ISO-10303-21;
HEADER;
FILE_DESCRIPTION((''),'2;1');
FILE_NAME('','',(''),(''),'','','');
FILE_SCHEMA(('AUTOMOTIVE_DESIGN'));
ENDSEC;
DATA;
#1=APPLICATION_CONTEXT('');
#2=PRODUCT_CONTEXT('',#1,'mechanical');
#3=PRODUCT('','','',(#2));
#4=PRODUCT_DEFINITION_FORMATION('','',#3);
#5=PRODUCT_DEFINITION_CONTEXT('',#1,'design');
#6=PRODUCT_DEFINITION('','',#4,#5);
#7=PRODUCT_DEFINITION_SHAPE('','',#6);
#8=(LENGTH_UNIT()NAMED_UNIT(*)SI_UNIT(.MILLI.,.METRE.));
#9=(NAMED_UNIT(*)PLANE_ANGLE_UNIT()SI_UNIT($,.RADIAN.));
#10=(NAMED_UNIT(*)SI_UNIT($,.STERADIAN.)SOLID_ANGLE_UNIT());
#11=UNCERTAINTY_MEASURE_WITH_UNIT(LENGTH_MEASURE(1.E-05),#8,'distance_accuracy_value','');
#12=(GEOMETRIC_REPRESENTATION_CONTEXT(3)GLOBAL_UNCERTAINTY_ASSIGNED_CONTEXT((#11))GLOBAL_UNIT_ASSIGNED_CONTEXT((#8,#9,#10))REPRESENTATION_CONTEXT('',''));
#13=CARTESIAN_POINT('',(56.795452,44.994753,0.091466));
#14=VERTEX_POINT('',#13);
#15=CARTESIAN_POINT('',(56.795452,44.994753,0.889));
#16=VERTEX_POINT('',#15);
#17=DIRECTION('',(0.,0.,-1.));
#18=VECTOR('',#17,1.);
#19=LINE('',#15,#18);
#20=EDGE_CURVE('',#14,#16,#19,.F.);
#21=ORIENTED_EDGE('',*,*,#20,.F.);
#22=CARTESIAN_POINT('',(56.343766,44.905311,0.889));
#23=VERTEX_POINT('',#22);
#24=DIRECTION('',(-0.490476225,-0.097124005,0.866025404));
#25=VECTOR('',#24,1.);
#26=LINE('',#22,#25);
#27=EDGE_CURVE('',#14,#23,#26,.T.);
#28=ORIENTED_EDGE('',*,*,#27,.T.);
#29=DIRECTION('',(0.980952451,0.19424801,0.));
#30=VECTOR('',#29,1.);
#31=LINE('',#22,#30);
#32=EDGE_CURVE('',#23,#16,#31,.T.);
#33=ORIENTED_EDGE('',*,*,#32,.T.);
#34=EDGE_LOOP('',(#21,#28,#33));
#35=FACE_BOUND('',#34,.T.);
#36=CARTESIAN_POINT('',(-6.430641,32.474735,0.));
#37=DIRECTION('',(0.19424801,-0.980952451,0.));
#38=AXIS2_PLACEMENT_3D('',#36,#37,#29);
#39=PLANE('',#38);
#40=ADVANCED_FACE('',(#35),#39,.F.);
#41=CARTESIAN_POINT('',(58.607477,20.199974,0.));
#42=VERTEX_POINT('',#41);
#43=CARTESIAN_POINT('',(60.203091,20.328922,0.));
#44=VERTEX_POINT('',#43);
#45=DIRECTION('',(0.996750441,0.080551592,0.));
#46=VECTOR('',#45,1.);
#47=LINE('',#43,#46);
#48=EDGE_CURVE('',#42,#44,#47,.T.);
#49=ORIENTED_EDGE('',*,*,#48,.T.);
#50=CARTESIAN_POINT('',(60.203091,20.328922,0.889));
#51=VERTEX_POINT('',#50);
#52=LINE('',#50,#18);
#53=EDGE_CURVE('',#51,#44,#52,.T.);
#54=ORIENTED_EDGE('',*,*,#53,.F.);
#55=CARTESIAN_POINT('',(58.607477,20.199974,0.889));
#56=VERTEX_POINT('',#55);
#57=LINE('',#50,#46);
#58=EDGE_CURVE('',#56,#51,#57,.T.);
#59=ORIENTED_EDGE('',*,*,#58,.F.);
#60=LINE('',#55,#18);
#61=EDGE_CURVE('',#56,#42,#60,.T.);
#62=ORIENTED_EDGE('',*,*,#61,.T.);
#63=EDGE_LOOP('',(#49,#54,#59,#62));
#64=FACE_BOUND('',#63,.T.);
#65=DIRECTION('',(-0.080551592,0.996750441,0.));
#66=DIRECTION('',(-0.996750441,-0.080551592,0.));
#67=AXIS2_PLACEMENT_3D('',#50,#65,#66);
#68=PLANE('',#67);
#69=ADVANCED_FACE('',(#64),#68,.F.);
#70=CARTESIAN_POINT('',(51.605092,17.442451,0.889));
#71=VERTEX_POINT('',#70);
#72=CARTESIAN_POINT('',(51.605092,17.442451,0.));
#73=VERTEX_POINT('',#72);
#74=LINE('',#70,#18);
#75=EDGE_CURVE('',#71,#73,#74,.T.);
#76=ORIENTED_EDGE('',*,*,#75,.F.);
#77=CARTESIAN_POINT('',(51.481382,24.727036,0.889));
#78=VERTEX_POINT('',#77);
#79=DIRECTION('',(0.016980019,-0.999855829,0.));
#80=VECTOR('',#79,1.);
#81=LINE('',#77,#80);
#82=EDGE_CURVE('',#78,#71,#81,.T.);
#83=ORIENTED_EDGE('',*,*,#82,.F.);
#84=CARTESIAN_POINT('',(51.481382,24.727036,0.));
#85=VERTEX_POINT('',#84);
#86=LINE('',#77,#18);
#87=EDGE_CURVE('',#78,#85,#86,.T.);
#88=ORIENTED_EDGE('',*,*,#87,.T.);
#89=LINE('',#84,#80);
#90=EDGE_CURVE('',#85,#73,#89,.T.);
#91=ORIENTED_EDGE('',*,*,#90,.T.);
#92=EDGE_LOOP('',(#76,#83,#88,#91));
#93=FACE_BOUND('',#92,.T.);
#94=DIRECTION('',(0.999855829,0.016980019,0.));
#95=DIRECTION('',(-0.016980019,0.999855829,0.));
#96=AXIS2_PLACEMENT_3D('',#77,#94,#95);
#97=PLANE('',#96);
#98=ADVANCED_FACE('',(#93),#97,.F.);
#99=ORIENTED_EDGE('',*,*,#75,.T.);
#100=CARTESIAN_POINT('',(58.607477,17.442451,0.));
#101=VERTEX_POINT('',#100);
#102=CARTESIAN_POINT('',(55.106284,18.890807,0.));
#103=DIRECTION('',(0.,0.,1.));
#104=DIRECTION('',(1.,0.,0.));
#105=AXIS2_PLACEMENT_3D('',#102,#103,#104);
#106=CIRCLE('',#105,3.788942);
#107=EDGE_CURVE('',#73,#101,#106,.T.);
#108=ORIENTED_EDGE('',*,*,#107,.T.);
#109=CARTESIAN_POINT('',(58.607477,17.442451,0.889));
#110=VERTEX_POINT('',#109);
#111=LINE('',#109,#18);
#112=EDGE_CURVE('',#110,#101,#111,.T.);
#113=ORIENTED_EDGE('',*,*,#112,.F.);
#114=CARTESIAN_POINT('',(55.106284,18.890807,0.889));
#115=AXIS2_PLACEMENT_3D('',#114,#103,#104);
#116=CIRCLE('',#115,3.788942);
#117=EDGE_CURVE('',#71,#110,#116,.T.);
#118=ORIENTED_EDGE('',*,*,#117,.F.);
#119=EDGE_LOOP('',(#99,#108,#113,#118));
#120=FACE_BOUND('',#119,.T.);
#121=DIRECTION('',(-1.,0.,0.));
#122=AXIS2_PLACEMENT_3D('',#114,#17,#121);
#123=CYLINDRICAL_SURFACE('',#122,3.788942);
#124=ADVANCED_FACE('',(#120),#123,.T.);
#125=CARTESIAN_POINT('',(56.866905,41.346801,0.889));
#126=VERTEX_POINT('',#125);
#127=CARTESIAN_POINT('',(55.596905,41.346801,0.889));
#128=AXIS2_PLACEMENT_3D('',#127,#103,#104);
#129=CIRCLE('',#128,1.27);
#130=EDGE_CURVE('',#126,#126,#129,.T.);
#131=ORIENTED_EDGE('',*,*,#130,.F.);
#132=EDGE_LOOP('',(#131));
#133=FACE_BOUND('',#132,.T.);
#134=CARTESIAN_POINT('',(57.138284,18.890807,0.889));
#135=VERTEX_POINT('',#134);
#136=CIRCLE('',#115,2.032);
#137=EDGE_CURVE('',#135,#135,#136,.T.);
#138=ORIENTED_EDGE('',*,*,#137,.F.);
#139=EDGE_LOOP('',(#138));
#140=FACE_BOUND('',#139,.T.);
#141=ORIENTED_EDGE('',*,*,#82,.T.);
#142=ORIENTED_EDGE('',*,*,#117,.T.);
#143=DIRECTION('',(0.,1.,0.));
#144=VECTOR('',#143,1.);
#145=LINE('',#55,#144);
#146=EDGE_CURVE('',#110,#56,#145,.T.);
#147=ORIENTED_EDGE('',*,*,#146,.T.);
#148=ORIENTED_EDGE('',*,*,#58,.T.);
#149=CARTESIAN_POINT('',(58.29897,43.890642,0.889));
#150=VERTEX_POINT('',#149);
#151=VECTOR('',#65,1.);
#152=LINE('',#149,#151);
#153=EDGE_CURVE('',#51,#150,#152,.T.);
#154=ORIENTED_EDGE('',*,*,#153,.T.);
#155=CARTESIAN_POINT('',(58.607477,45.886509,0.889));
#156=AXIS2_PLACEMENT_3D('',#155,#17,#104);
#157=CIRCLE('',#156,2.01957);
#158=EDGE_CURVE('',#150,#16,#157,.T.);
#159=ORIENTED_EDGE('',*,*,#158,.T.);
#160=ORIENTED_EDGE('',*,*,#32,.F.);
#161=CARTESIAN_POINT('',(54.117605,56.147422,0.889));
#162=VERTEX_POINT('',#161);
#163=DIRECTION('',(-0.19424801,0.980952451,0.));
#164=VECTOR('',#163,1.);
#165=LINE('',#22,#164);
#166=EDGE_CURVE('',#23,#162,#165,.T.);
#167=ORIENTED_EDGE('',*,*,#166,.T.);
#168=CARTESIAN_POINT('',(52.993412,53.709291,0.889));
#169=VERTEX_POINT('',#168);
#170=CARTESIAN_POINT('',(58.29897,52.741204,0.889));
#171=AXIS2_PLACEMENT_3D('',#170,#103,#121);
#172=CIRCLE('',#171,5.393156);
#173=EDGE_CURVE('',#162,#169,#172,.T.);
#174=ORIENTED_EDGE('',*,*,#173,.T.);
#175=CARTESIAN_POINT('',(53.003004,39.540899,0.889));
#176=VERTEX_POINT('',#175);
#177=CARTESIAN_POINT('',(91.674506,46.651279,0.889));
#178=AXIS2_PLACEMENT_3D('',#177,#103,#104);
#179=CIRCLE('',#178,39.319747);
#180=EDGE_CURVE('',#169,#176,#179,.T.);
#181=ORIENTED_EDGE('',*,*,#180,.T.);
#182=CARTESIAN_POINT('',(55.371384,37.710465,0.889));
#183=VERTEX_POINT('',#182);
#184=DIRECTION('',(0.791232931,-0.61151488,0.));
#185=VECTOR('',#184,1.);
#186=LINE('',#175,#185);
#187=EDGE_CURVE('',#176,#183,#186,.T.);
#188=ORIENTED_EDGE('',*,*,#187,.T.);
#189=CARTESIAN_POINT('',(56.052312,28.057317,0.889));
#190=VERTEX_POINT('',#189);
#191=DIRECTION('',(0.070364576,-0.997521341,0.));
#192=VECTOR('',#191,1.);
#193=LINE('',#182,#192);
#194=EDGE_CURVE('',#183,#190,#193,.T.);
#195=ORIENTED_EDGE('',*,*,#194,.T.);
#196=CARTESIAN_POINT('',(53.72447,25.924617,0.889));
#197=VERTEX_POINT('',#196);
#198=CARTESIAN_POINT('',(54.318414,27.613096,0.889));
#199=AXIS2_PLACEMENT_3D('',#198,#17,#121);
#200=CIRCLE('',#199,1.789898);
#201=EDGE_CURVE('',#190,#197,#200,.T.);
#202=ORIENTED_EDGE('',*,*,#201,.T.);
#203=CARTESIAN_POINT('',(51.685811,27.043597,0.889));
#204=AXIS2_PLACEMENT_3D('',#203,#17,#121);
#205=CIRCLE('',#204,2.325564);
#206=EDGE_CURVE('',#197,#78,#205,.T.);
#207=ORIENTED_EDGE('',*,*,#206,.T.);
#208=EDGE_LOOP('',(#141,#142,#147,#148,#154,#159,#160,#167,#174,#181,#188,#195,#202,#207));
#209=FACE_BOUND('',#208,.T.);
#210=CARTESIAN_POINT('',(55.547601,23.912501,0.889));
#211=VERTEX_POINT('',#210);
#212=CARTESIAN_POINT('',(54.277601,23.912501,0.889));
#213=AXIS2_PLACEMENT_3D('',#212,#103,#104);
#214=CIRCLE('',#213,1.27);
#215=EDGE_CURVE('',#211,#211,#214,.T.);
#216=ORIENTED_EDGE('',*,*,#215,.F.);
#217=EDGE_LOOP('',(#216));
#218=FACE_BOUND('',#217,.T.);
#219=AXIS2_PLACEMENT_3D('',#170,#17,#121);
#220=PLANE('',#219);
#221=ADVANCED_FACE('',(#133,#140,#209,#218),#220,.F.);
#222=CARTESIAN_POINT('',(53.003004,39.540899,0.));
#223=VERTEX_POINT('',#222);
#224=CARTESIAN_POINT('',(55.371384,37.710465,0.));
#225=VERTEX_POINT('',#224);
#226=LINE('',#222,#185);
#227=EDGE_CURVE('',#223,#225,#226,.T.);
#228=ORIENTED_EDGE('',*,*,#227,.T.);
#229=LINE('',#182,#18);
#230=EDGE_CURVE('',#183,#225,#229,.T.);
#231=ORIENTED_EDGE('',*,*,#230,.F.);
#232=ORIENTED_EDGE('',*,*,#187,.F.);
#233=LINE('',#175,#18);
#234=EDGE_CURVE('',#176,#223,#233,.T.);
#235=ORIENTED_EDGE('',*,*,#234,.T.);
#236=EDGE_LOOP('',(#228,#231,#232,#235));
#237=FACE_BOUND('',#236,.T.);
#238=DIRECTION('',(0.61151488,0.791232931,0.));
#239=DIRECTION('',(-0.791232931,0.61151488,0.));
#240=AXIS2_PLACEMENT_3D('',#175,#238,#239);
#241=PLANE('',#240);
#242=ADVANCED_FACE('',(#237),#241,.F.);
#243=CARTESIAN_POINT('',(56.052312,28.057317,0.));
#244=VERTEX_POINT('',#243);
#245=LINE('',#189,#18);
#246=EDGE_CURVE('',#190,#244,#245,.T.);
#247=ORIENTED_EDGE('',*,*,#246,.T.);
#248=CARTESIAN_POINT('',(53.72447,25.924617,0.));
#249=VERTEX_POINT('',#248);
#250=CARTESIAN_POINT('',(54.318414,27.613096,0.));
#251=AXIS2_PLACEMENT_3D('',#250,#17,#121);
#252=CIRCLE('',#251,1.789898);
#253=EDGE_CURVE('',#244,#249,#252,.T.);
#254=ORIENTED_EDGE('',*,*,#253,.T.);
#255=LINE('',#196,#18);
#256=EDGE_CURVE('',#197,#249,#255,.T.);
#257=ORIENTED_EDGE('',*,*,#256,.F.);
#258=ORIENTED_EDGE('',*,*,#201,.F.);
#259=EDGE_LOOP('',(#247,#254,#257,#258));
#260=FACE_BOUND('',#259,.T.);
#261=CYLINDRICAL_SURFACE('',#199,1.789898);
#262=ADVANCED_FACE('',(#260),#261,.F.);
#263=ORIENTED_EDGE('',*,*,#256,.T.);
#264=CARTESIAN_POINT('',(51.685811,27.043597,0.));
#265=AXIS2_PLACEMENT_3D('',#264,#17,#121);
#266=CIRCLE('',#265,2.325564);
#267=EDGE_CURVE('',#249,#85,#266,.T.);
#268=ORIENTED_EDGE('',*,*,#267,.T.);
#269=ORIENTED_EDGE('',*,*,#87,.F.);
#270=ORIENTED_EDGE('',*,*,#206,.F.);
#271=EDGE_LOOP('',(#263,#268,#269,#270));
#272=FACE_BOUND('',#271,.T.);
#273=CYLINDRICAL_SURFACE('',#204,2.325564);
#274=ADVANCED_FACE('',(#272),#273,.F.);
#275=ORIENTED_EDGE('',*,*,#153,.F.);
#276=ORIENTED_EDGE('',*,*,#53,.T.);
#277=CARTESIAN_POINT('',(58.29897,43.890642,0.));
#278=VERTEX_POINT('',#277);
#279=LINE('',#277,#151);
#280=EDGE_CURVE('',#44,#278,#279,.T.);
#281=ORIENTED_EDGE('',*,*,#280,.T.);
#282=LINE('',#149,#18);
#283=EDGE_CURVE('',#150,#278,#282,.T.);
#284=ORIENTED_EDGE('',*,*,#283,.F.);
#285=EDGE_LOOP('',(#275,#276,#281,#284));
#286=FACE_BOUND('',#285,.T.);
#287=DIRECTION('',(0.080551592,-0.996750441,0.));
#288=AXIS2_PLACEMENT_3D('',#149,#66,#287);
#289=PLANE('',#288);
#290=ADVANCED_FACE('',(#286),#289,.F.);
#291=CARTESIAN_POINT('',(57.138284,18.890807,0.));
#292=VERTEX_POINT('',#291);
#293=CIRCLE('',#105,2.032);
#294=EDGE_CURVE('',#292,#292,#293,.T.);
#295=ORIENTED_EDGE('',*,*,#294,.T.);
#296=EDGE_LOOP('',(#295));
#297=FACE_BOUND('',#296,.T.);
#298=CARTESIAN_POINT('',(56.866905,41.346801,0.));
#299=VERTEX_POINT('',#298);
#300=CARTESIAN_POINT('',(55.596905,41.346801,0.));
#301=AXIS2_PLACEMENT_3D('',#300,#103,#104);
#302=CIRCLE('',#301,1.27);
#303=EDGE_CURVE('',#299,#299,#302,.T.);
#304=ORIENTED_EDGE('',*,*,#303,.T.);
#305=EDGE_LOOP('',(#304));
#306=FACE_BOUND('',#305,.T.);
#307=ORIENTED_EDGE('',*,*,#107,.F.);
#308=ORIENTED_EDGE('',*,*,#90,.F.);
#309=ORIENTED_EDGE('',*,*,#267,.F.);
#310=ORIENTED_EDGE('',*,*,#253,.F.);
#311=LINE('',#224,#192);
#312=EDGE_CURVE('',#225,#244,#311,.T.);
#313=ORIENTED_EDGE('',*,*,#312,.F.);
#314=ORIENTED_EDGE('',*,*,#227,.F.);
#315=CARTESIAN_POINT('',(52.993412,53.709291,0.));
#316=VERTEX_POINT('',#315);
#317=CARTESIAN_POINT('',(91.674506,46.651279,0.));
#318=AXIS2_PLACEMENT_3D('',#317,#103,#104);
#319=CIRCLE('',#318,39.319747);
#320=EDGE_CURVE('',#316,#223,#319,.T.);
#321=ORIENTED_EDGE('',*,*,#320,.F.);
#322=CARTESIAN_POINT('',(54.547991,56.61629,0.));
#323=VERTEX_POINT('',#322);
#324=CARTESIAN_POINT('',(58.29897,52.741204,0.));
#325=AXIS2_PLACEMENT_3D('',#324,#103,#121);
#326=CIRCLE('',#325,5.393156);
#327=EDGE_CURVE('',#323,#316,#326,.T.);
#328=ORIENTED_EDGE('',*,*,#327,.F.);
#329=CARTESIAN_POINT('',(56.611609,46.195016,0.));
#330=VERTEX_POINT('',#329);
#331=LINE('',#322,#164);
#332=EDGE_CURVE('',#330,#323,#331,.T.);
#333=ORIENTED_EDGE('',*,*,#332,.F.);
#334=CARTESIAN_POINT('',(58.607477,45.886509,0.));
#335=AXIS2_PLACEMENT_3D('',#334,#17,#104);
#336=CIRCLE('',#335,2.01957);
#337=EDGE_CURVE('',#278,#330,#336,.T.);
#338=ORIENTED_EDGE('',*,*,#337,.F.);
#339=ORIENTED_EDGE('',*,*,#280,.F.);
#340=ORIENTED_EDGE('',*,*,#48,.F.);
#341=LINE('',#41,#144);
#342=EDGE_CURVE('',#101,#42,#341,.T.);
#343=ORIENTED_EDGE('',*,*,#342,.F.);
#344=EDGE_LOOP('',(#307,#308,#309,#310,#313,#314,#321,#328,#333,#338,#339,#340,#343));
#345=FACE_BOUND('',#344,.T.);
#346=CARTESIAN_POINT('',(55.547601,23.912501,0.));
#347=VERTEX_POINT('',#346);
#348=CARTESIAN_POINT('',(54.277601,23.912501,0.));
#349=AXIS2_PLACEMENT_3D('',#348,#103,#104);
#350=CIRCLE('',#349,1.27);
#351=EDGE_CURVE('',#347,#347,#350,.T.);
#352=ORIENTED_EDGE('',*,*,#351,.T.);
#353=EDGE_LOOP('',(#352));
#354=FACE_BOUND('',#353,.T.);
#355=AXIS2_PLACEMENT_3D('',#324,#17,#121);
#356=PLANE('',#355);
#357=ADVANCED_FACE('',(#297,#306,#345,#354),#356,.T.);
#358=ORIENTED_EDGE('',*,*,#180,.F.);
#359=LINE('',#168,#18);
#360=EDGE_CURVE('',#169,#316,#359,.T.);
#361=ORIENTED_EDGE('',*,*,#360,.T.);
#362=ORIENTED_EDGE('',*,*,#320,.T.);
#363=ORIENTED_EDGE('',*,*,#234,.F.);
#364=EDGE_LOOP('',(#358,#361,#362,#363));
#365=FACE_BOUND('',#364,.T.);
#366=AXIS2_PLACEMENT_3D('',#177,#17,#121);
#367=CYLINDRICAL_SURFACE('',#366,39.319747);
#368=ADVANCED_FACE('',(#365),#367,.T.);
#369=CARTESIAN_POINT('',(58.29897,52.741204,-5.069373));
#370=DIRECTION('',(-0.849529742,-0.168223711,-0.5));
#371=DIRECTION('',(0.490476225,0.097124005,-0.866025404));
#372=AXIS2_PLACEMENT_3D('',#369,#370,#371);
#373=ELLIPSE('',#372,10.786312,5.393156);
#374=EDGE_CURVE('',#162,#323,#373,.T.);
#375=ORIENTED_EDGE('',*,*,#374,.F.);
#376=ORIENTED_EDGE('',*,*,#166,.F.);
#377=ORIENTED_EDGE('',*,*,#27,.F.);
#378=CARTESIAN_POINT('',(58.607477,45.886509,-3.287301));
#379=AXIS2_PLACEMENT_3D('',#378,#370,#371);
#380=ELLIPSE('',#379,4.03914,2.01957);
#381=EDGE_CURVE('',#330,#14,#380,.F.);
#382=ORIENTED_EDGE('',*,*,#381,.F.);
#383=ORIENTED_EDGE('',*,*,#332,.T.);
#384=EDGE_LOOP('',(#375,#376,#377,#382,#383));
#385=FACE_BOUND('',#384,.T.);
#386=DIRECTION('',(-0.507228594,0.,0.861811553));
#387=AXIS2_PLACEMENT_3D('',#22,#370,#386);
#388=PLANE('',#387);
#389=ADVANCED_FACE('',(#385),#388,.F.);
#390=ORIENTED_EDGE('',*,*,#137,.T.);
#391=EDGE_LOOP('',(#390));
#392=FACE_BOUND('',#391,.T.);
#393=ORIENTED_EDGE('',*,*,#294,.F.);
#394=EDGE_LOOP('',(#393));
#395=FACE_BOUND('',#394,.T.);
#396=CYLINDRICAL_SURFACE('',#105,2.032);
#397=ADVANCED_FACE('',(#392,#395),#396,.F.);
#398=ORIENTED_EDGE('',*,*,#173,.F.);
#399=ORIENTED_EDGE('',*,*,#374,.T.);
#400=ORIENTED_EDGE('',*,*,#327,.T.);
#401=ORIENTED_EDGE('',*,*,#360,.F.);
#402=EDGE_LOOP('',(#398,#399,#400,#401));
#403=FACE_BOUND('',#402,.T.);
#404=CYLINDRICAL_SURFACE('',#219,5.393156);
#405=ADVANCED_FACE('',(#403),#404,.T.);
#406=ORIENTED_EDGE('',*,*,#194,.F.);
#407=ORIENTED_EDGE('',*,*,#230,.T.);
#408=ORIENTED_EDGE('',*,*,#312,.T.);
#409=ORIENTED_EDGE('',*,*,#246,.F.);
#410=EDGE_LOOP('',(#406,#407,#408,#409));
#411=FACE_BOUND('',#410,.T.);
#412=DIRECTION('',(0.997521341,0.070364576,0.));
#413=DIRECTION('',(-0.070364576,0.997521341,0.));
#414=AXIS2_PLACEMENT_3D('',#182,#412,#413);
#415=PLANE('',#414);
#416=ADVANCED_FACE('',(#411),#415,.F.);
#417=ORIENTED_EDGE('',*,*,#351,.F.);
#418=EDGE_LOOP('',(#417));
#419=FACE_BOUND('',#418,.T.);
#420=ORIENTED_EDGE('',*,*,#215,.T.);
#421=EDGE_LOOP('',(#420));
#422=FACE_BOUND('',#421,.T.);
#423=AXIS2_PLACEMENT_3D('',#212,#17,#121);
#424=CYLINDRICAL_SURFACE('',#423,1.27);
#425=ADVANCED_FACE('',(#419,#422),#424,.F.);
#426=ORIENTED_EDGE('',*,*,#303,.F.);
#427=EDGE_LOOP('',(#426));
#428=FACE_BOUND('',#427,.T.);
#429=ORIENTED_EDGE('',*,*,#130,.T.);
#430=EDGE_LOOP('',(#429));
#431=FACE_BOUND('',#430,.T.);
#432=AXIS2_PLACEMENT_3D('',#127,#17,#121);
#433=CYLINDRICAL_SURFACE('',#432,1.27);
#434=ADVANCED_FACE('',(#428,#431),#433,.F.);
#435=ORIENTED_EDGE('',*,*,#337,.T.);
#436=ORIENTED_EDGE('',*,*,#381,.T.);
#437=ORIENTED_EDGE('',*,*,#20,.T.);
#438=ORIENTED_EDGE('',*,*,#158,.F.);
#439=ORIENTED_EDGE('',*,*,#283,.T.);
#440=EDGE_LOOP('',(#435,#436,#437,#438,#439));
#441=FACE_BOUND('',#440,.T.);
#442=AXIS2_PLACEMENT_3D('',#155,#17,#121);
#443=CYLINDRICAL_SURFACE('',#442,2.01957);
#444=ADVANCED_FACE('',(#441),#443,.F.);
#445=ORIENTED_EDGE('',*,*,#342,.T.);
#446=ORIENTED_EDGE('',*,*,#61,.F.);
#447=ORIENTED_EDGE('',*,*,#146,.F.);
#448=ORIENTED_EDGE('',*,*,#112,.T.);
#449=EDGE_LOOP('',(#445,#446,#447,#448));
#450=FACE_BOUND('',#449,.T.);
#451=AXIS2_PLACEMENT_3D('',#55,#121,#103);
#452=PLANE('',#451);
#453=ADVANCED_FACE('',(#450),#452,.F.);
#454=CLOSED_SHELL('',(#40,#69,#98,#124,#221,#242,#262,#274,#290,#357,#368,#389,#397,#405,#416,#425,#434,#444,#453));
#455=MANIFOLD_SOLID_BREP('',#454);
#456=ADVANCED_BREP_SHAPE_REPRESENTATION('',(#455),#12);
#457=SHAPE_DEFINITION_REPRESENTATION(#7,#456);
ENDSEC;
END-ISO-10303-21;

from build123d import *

# Parameters (mm, degrees)
SKETCH1_R           = 1.27
BOSS_EXTRUDE3_DEPTH = 0.889
SKETCH3_R           = 2.032
CUT_EXTRUDE1_DEPTH  = 1.889
CUT_EXTRUDE2_DEPTH  = 12.7


with BuildPart() as part:
    # Sketch1 → Boss-Extrude3 (new body)
    with BuildSketch(Plane.XY):
        with BuildLine():
            Line((54.54799083, 56.616289575), (56.611609417, 46.195015712))
            ThreePointArc((56.611609417, 46.195015712), (56.978037984, 44.693364942), (58.298969551, 43.890641624))
            Line((58.298969551, 43.890641624), (60.203091121, 20.328922191))
            Line((60.203091121, 20.328922191), (58.607476528, 20.19997387))
            Line((58.607476528, 20.19997387), (58.607476528, 17.442451046))
            ThreePointArc((58.607476528, 17.442451046), (55.106284247, 15.101864773), (51.605091967, 17.442451046))
            Line((51.605091967, 17.442451046), (51.481381748, 24.727035664))
            ThreePointArc((51.481381748, 24.727035664), (52.781095987, 24.992110323), (53.724469669, 25.924616503))
            ThreePointArc((53.724469669, 25.924616503), (55.527536206, 26.293339608), (56.052311948, 28.057316955))
            Line((56.052311948, 28.057316955), (55.371384499, 37.710464906))
            Line((55.371384499, 37.710464906), (53.003003997, 39.540899235))
            ThreePointArc((53.003003997, 39.540899235), (52.354767278, 46.624659681), (52.993412204, 53.709291327))
            ThreePointArc((52.993412204, 53.709291327), (53.543144587, 55.284481319), (54.54799083, 56.616289575))
        make_face()
        with Locations((55.596905374, 41.346801264)):
            Circle(SKETCH1_R, mode=Mode.SUBTRACT)
        with Locations((54.27760068, 23.912500713)):
            Circle(SKETCH1_R, mode=Mode.SUBTRACT)
    extrude(amount=BOSS_EXTRUDE3_DEPTH)

    # Sketch3 → Cut-Extrude1 (cut, through all)
    with BuildSketch(Plane.XY.offset(0.889)):
        with Locations((55.106284247, 18.890806819)):
            Circle(SKETCH3_R)
    extrude(amount=-CUT_EXTRUDE1_DEPTH, mode=Mode.SUBTRACT)

    # Sketch4 → Cut-Extrude2 (cut)
    with BuildSketch(Plane(origin=(-8.897590356, 44.932831299, 0), x_dir=(0.980952451, 0.19424801, 0), z_dir=(-0.19424801, 0.980952451, 0))):
        Polygon((64.506586873, 0), (64.506586873, -0.889), (63.993322484, -0.889), align=None)
    extrude(amount=-CUT_EXTRUDE2_DEPTH, mode=Mode.SUBTRACT)


solid = part.part
